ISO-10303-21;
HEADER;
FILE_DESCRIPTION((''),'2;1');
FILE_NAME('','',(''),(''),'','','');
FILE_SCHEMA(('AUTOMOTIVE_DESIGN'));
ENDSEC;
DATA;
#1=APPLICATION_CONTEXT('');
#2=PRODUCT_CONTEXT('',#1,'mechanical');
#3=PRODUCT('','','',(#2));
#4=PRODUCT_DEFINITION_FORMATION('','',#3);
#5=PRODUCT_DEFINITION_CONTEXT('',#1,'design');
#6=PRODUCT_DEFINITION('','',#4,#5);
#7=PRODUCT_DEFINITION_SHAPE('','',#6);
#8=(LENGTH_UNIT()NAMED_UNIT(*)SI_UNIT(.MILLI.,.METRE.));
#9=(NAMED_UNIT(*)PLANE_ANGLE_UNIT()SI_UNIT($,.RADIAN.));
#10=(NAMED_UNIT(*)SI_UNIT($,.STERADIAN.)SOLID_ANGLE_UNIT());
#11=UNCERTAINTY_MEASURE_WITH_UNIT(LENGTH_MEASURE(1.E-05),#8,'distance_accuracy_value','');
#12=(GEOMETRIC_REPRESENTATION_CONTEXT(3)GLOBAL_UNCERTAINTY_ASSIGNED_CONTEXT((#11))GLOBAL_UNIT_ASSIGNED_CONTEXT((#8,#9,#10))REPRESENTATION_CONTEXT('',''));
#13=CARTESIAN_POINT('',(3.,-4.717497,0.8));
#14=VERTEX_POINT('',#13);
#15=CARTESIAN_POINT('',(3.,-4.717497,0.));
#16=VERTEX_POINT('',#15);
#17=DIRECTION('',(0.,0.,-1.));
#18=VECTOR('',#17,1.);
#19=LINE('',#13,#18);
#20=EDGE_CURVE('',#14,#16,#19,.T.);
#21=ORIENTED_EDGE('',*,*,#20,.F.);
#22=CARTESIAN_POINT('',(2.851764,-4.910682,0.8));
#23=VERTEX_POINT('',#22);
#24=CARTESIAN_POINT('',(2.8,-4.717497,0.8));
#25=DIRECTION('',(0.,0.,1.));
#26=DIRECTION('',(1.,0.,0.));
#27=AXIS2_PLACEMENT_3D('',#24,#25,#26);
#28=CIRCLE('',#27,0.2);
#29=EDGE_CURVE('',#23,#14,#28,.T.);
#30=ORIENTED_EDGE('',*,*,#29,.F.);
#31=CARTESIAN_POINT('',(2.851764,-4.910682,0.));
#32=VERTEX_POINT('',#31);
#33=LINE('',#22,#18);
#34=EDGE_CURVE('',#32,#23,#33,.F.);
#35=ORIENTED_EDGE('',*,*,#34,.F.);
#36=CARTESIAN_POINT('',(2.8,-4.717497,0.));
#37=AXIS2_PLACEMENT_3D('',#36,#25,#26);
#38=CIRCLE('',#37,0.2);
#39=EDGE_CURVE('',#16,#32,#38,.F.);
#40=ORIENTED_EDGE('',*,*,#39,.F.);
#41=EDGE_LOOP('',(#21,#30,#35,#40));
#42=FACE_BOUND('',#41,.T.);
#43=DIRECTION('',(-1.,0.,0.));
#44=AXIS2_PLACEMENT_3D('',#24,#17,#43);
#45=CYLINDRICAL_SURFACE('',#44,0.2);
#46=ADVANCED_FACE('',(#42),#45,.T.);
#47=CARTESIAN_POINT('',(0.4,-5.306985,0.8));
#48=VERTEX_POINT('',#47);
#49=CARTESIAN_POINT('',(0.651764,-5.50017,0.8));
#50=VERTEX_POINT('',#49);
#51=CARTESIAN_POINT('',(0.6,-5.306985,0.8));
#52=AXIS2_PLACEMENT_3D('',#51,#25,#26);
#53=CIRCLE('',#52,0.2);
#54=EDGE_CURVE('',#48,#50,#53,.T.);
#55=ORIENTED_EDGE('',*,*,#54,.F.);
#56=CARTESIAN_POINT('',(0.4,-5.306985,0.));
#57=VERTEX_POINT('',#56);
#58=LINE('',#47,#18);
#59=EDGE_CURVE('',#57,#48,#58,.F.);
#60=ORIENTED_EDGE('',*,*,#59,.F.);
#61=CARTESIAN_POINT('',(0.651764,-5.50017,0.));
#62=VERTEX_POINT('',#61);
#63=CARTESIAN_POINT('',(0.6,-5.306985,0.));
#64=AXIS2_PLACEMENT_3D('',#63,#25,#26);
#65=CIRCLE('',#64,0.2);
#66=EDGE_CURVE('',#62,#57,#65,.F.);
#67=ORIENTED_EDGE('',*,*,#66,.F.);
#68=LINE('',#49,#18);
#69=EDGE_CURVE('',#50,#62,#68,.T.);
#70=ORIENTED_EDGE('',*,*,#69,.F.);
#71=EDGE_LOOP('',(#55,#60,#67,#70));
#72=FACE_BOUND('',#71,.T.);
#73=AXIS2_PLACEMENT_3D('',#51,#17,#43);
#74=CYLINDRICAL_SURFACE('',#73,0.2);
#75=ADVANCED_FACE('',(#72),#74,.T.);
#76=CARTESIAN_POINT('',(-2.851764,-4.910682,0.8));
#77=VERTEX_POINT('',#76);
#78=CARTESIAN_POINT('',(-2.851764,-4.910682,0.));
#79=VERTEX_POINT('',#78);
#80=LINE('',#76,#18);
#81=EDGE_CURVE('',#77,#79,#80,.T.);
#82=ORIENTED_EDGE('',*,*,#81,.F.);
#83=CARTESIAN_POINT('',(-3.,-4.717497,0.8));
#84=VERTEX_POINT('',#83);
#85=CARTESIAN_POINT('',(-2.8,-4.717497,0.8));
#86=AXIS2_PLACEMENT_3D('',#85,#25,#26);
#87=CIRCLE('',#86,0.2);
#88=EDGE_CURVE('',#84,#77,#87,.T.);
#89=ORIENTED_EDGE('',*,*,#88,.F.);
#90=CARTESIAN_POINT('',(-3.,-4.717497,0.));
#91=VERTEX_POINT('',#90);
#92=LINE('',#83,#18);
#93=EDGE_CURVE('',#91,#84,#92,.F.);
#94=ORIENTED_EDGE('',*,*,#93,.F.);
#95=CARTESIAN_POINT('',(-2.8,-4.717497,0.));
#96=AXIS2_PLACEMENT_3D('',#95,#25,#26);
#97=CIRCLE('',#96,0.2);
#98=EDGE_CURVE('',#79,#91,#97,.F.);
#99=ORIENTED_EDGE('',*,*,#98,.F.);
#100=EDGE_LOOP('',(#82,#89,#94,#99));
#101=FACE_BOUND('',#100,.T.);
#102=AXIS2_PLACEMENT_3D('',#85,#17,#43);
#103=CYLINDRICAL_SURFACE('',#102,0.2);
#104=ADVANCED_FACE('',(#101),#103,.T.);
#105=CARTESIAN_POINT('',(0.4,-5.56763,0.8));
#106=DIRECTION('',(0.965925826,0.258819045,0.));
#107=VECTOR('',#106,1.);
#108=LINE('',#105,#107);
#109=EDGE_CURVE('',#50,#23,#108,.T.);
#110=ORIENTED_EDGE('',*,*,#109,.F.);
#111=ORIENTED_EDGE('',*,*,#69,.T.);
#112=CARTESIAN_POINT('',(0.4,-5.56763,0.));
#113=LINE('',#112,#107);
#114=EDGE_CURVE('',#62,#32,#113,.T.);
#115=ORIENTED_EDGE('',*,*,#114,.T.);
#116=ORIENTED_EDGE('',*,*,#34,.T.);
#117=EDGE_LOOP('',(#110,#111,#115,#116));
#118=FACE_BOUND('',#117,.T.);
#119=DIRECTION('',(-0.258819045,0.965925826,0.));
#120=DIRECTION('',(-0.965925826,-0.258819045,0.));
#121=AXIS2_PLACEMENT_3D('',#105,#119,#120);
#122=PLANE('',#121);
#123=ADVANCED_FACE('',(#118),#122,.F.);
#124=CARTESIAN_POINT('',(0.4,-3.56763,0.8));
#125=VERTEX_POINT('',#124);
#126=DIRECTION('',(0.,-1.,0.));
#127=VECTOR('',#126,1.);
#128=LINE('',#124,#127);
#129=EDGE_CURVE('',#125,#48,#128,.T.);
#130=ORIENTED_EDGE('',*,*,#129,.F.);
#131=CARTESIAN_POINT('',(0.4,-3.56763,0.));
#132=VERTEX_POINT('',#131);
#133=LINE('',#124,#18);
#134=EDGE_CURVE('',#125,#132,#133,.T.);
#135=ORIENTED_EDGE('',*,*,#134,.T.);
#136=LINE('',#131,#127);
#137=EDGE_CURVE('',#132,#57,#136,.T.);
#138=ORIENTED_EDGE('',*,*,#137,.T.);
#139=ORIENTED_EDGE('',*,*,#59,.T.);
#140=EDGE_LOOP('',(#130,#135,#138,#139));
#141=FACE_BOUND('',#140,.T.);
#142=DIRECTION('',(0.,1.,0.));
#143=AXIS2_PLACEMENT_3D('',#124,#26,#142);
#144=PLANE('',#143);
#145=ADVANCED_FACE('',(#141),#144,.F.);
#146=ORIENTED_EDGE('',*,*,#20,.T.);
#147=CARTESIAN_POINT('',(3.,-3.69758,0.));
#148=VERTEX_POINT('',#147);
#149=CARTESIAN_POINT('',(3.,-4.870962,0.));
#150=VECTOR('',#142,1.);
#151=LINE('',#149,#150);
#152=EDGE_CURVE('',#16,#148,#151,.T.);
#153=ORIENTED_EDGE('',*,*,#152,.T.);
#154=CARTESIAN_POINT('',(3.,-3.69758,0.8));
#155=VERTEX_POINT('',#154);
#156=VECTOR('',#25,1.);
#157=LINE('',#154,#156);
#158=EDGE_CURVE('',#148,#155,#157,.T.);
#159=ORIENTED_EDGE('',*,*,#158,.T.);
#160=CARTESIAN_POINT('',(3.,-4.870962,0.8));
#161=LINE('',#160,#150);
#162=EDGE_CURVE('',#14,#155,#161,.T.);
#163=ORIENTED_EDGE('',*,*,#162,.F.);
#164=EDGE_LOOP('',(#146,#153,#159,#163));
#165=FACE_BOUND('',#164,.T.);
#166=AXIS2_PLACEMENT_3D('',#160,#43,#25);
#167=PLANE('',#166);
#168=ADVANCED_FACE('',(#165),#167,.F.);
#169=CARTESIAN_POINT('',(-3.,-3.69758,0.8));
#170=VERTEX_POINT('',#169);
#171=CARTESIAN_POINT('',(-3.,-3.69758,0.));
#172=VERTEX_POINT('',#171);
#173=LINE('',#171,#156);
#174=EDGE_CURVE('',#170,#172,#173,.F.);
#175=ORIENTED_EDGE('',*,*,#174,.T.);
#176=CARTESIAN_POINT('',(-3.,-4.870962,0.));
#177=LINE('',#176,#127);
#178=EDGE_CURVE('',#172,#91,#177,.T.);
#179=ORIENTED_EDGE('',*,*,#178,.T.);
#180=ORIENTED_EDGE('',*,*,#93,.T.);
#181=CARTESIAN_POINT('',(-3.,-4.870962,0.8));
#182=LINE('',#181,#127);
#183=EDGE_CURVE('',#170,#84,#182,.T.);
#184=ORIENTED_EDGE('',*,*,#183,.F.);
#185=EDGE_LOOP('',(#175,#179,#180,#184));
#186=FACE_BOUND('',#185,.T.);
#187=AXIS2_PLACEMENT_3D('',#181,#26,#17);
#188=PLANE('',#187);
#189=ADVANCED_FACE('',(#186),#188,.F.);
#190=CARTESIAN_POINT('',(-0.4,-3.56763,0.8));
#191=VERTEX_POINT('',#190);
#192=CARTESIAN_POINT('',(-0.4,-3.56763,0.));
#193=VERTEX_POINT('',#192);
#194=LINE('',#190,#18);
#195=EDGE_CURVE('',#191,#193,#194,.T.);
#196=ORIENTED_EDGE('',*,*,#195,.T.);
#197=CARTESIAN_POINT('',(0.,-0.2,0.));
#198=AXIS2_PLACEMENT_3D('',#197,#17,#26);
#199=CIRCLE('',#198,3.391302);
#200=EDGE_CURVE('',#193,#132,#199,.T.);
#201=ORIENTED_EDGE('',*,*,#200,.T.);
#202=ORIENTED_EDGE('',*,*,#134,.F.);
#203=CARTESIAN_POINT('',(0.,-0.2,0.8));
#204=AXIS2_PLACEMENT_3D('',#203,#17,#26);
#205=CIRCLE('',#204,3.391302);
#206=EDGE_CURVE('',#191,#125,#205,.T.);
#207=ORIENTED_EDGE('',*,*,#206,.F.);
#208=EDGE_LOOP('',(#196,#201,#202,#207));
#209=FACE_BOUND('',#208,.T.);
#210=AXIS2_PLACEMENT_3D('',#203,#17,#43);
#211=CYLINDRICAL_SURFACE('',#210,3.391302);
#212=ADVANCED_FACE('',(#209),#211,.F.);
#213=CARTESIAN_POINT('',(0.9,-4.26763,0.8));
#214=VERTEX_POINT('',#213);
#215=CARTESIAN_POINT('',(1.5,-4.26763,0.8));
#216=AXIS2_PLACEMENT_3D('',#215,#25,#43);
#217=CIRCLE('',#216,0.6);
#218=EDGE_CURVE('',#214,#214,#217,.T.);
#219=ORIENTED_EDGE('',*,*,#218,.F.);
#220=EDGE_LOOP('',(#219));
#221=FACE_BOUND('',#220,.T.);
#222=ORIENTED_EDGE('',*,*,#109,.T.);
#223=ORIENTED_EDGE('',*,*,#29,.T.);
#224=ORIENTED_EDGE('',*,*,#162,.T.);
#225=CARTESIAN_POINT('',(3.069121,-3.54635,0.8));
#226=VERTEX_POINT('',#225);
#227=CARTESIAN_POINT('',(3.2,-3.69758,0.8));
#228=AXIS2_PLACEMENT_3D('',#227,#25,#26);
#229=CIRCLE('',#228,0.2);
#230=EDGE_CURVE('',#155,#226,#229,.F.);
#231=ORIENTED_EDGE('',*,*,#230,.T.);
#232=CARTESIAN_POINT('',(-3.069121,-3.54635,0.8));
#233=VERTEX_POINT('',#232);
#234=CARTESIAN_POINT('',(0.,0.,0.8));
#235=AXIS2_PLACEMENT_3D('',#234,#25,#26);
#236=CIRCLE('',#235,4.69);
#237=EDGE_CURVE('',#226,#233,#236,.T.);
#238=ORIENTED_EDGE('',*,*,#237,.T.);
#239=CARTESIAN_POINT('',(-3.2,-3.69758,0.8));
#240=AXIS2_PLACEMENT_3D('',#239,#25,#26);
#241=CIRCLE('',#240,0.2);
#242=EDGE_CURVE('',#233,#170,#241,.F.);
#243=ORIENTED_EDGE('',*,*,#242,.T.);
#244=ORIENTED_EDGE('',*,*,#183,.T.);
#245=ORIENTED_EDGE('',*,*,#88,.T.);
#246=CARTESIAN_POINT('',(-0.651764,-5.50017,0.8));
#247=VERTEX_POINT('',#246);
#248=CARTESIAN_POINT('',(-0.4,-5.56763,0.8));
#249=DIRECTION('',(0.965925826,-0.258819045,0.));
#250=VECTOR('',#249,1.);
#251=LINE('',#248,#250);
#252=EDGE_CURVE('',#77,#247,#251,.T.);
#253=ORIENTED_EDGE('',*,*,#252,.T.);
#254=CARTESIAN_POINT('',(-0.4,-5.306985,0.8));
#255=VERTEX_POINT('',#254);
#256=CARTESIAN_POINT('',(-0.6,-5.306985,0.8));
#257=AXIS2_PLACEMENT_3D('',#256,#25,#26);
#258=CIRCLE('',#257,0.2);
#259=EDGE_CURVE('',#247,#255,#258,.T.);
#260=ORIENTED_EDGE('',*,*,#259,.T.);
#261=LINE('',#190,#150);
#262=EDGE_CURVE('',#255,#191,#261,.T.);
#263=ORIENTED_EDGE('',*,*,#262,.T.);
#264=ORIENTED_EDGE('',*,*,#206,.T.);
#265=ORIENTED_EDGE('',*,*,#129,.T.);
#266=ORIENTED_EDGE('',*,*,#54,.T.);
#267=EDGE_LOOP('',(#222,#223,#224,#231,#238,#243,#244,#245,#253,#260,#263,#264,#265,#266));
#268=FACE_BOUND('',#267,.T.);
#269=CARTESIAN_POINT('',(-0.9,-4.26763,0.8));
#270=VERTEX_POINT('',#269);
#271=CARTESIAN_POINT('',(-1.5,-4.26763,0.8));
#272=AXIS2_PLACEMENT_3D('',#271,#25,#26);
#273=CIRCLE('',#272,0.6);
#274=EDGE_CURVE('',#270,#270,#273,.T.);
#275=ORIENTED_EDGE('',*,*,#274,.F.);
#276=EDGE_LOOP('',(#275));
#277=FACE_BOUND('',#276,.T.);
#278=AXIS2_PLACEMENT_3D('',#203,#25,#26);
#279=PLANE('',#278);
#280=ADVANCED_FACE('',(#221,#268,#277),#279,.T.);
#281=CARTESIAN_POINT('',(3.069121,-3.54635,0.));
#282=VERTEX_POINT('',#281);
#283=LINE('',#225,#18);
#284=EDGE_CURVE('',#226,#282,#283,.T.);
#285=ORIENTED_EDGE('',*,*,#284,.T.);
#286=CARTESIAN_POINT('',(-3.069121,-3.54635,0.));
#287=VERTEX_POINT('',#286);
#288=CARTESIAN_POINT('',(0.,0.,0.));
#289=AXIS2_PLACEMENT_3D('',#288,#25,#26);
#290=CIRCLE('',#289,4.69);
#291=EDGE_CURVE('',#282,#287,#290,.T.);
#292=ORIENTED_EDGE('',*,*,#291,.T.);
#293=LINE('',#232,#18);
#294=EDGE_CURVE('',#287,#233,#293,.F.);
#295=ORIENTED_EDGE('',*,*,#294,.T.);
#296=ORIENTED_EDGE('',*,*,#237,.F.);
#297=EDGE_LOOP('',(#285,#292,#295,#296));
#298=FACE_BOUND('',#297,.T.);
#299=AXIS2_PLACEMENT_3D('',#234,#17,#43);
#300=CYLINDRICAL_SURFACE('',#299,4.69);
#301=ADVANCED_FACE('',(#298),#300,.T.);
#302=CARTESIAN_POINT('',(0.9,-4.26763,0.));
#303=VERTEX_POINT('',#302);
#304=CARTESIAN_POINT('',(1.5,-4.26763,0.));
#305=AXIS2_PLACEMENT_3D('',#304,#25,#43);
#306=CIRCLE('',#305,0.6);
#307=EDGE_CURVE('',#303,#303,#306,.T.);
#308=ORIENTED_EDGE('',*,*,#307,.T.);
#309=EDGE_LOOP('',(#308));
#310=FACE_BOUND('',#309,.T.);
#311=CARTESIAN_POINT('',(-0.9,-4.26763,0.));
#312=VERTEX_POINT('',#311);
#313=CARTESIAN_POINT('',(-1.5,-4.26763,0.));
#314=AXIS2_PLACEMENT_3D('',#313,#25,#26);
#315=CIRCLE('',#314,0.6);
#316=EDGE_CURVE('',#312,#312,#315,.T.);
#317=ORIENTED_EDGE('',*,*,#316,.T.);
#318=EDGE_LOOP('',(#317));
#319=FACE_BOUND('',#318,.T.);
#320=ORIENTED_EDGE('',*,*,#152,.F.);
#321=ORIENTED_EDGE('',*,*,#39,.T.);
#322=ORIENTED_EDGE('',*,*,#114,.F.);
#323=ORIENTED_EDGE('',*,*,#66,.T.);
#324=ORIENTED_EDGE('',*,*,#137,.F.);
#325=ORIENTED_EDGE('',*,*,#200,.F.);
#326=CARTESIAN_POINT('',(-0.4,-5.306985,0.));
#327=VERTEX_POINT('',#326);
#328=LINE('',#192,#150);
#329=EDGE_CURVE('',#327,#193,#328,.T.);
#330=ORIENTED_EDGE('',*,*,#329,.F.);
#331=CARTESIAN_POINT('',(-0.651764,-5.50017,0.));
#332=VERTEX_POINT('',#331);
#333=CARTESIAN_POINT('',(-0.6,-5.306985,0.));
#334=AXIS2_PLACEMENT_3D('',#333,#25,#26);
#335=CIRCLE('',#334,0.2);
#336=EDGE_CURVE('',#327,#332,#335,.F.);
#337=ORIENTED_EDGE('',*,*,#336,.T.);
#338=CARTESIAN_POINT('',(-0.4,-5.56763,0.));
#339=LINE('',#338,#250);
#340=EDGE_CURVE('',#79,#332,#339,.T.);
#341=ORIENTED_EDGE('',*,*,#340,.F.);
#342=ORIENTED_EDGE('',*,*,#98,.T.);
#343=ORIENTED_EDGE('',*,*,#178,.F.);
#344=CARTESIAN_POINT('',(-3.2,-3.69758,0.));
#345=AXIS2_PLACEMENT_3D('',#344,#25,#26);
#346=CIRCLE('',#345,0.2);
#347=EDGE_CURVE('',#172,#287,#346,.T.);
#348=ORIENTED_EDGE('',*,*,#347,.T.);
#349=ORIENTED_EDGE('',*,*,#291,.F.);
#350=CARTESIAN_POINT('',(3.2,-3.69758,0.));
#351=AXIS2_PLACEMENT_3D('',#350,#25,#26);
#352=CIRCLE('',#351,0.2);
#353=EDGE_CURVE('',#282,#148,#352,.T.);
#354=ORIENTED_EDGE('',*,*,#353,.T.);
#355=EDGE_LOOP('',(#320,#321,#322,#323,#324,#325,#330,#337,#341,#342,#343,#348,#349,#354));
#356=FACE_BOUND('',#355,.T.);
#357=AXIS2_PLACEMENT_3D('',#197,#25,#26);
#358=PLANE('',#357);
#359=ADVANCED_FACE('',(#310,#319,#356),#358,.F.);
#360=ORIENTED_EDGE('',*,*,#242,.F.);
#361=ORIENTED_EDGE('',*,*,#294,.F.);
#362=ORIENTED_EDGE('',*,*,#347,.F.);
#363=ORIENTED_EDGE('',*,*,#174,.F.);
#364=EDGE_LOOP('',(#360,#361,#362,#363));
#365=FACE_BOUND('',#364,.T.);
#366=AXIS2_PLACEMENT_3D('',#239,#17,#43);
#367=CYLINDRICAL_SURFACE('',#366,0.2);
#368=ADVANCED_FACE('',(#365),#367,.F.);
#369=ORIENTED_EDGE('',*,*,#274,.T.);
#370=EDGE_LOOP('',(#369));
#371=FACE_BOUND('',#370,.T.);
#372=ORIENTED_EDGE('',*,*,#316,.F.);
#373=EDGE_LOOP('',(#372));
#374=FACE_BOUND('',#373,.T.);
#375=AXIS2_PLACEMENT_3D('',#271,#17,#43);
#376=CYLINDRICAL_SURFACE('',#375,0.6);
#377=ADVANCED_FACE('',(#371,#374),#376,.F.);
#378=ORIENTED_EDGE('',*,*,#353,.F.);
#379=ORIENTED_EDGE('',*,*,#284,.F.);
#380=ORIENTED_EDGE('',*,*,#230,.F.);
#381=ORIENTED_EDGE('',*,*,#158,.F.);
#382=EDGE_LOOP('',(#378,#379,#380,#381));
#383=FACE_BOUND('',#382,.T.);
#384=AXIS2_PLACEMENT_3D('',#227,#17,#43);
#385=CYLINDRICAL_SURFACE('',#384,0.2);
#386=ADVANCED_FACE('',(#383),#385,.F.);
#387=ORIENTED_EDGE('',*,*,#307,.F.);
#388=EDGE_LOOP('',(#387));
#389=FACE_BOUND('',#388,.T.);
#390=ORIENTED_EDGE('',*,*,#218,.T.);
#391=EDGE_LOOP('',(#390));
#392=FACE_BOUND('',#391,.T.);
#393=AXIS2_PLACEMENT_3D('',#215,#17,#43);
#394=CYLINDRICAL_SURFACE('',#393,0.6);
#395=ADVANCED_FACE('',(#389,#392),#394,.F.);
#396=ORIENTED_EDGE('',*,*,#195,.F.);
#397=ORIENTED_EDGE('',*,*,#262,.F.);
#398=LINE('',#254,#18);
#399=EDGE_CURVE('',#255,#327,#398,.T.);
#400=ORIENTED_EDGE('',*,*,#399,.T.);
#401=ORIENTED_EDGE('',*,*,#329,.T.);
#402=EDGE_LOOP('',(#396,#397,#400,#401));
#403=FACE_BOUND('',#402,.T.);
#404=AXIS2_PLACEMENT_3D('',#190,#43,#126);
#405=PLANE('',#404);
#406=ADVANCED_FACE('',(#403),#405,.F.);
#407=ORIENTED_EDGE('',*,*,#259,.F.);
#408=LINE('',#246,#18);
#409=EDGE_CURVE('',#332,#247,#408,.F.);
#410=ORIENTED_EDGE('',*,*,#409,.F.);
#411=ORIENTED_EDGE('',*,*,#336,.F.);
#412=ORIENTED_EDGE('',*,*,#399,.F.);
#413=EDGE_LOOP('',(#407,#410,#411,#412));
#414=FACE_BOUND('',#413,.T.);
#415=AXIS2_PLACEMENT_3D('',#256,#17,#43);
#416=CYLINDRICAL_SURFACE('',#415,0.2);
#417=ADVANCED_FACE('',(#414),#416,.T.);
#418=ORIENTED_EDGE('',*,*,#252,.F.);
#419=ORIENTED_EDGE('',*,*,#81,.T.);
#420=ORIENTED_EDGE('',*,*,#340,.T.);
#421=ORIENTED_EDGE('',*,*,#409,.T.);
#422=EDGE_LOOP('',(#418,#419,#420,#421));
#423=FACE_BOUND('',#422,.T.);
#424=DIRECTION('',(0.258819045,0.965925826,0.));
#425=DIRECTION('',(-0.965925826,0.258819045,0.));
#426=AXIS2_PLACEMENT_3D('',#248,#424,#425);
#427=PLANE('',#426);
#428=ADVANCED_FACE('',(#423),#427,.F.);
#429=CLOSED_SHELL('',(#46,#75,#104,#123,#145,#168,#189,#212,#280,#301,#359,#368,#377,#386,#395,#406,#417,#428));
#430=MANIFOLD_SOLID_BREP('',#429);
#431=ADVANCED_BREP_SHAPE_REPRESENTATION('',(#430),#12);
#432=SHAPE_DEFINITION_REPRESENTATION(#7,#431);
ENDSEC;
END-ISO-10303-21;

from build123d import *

# Parameters (mm, degrees)
SKETCH_1_R      = 0.6
EXTRUDE_1_DEPTH = 0.8
FILLET_1_R      = 0.2


with BuildPart() as part:
    # 草图1 → 凸台-拉伸1 (new body)
    with BuildSketch(Plane.XY):
        with BuildLine():
            Line((-0.4, -3.567629953), (-0.4, -5.567629953))
            Line((-0.4, -5.567629953), (-3, -4.870962053))
            Line((-3, -4.870962053), (-3, -3.605010402))
            ThreePointArc((-3, -3.605010402), (0, 4.69), (3, -3.605010402))
            Line((3, -3.605010402), (3, -4.870962053))
            Line((3, -4.870962053), (0.4, -5.567629953))
            Line((0.4, -5.567629953), (0.4, -3.567629953))
            ThreePointArc((0.4, -3.567629953), (0, 3.191302331), (-0.4, -3.567629953))
        make_face()
        with Locations((-1.5, -4.267629953)):
            Circle(SKETCH_1_R, mode=Mode.SUBTRACT)
        with Locations((1.5, -4.267629953)):
            Circle(SKETCH_1_R, mode=Mode.SUBTRACT)
    extrude(amount=EXTRUDE_1_DEPTH)

    # 圆角1
    fillet_1_edges = [part.edges().sort_by_distance(p)[0] for p in [
        (-0.4, -5.567629953, 0.4),
        (-3, -4.870962053, 0.4),
        (-3, -3.605010402, 0.4),
        (3, -3.605010402, 0.4),
        (3, -4.870962053, 0.4),
        (0.4, -5.567629953, 0.4),
    ]]
    fillet(fillet_1_edges, radius=FILLET_1_R)


solid = part.part
